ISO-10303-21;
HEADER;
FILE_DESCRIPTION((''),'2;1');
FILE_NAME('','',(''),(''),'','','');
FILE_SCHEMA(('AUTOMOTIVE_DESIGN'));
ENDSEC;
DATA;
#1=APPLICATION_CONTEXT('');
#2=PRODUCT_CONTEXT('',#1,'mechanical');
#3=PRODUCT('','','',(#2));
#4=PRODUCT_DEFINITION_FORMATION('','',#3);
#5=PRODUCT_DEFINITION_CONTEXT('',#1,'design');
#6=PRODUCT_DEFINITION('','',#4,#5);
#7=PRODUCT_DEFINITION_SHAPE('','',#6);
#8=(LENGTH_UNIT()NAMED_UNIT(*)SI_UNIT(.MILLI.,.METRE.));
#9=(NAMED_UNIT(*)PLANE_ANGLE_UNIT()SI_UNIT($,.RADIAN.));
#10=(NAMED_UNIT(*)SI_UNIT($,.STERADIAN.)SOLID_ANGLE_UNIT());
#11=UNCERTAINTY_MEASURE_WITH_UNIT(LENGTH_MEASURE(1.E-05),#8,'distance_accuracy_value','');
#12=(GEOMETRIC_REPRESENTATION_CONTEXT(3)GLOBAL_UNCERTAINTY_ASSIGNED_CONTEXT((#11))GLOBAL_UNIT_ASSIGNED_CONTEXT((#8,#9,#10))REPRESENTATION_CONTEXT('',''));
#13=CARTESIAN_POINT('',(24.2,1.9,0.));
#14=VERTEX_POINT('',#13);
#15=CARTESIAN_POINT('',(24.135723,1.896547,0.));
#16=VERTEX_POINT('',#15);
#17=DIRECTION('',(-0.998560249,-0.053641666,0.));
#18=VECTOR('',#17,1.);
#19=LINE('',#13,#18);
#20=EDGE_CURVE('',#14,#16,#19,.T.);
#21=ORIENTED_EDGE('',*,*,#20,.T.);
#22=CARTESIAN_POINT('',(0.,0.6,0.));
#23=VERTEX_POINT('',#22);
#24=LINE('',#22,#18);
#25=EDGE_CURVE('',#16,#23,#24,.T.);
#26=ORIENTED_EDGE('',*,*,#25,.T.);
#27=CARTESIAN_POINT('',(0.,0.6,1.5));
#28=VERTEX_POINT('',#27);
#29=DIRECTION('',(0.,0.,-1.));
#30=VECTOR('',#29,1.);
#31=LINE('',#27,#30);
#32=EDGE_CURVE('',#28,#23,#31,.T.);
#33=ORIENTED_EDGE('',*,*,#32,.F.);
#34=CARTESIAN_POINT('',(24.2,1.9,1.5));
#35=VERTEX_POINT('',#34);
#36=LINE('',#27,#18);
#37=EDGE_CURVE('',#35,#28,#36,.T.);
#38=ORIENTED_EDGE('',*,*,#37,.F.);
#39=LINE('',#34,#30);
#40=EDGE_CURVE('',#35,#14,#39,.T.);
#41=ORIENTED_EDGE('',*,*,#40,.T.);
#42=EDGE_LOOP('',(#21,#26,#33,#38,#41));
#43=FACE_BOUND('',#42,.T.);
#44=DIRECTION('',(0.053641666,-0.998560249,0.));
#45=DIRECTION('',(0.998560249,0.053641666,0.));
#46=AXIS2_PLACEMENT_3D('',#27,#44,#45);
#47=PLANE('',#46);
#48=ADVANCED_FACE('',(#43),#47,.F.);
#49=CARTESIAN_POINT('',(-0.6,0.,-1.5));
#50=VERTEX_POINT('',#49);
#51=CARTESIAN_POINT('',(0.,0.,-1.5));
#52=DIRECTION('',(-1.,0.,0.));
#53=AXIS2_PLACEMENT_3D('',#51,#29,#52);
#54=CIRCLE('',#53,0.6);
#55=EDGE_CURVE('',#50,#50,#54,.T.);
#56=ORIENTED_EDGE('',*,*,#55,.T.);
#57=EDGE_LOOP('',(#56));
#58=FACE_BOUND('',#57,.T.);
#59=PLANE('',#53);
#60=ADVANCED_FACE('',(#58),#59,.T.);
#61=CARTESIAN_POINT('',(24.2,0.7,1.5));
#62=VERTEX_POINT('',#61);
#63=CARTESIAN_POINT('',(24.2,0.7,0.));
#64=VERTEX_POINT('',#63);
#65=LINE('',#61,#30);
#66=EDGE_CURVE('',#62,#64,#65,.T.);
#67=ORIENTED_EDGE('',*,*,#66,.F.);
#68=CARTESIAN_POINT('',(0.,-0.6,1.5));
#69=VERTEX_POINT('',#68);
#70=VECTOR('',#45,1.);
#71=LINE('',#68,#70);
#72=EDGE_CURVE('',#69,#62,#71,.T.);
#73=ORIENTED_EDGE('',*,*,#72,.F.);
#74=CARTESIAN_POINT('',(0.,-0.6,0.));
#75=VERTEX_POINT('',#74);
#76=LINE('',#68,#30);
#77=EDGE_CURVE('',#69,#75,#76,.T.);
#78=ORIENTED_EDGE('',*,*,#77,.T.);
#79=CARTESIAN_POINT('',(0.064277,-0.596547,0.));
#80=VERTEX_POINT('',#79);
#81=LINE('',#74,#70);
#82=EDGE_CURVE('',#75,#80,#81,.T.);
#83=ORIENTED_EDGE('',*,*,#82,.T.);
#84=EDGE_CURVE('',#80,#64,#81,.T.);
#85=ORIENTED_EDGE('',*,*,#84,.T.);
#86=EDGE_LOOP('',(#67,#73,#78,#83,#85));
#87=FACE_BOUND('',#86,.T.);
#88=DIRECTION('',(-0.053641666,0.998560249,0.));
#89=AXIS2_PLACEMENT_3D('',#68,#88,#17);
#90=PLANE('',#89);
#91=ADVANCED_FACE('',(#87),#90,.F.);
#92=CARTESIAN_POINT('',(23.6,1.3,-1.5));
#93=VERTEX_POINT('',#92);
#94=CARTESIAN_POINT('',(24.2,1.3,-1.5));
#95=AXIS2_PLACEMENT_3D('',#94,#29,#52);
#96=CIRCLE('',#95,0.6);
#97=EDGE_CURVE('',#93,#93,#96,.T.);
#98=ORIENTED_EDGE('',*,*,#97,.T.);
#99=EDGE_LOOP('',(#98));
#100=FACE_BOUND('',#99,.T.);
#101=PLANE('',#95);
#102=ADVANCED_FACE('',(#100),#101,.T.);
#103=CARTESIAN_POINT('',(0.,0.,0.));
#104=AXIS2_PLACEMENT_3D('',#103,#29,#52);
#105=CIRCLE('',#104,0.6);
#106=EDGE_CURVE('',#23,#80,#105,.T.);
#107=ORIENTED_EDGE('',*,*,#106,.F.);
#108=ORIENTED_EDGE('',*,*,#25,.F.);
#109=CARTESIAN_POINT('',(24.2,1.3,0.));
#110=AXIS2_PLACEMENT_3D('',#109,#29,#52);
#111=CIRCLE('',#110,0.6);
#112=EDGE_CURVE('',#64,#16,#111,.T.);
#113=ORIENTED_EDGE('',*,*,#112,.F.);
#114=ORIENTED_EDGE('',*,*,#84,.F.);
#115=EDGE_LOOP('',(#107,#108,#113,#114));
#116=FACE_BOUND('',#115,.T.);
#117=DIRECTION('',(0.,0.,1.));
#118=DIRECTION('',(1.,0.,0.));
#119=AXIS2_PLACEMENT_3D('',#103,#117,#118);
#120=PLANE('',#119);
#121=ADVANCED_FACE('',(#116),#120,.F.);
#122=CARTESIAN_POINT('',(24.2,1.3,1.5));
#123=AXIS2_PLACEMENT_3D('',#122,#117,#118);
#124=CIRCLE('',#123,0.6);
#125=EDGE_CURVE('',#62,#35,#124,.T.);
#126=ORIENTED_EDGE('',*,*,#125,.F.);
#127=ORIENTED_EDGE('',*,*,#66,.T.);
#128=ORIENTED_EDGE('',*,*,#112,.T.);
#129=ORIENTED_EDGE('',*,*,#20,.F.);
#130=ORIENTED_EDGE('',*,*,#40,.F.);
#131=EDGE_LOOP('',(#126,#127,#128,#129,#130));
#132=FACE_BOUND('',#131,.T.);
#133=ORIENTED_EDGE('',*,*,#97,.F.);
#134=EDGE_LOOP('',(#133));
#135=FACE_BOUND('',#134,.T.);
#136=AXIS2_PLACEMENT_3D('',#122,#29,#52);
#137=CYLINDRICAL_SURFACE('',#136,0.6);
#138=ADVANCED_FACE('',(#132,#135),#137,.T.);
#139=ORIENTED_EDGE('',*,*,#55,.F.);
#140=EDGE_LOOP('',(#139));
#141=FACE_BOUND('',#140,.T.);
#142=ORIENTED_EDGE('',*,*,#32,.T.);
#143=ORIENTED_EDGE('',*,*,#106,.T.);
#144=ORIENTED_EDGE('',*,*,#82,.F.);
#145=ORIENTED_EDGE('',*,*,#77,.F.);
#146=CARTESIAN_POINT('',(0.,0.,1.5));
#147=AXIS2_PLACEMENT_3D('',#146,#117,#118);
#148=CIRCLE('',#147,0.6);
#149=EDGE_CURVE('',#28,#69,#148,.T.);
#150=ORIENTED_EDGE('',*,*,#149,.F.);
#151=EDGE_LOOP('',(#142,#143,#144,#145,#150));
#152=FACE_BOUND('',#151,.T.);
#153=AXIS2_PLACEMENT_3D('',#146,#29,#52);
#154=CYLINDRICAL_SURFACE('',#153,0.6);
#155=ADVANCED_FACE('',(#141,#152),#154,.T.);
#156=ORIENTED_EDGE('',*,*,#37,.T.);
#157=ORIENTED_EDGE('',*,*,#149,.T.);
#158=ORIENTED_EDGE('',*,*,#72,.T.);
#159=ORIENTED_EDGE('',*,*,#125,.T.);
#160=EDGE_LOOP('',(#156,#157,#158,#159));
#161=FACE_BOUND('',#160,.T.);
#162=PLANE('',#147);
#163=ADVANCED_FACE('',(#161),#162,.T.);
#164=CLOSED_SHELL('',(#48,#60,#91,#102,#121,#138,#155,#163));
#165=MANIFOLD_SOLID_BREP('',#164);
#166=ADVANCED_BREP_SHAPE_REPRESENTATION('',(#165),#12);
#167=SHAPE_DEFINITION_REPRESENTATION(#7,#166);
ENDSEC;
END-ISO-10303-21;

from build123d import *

# Parameters (mm, degrees)
SALIENTE_EXTRUIR1_DEPTH = 1.5
CROQUIS2_R              = 0.6
SALIENTE_EXTRUIR2_DEPTH = 1.5


with BuildPart() as part:
    # Croquis1 → Saliente-Extruir1 (new body)
    with BuildSketch(Plane.XY):
        with BuildLine():
            Line((0, 0.6), (24.2, 1.9))
            ThreePointArc((24.2, 1.9), (24.8, 1.3), (24.2, 0.7))
            Line((24.2, 0.7), (0, -0.6))
            ThreePointArc((0, -0.6), (-0.6, 0), (0, 0.6))
        make_face()
    extrude(amount=SALIENTE_EXTRUIR1_DEPTH)

    # Croquis2 → Saliente-Extruir2 (add)
    with BuildSketch(Plane(origin=(0, 0, 0), x_dir=(-1, 0, 0), z_dir=(0, 0, -1))):
        with Locations((-24.2, 1.3)):
            Circle(CROQUIS2_R)
        Circle(CROQUIS2_R)
    extrude(amount=SALIENTE_EXTRUIR2_DEPTH)


solid = part.part
